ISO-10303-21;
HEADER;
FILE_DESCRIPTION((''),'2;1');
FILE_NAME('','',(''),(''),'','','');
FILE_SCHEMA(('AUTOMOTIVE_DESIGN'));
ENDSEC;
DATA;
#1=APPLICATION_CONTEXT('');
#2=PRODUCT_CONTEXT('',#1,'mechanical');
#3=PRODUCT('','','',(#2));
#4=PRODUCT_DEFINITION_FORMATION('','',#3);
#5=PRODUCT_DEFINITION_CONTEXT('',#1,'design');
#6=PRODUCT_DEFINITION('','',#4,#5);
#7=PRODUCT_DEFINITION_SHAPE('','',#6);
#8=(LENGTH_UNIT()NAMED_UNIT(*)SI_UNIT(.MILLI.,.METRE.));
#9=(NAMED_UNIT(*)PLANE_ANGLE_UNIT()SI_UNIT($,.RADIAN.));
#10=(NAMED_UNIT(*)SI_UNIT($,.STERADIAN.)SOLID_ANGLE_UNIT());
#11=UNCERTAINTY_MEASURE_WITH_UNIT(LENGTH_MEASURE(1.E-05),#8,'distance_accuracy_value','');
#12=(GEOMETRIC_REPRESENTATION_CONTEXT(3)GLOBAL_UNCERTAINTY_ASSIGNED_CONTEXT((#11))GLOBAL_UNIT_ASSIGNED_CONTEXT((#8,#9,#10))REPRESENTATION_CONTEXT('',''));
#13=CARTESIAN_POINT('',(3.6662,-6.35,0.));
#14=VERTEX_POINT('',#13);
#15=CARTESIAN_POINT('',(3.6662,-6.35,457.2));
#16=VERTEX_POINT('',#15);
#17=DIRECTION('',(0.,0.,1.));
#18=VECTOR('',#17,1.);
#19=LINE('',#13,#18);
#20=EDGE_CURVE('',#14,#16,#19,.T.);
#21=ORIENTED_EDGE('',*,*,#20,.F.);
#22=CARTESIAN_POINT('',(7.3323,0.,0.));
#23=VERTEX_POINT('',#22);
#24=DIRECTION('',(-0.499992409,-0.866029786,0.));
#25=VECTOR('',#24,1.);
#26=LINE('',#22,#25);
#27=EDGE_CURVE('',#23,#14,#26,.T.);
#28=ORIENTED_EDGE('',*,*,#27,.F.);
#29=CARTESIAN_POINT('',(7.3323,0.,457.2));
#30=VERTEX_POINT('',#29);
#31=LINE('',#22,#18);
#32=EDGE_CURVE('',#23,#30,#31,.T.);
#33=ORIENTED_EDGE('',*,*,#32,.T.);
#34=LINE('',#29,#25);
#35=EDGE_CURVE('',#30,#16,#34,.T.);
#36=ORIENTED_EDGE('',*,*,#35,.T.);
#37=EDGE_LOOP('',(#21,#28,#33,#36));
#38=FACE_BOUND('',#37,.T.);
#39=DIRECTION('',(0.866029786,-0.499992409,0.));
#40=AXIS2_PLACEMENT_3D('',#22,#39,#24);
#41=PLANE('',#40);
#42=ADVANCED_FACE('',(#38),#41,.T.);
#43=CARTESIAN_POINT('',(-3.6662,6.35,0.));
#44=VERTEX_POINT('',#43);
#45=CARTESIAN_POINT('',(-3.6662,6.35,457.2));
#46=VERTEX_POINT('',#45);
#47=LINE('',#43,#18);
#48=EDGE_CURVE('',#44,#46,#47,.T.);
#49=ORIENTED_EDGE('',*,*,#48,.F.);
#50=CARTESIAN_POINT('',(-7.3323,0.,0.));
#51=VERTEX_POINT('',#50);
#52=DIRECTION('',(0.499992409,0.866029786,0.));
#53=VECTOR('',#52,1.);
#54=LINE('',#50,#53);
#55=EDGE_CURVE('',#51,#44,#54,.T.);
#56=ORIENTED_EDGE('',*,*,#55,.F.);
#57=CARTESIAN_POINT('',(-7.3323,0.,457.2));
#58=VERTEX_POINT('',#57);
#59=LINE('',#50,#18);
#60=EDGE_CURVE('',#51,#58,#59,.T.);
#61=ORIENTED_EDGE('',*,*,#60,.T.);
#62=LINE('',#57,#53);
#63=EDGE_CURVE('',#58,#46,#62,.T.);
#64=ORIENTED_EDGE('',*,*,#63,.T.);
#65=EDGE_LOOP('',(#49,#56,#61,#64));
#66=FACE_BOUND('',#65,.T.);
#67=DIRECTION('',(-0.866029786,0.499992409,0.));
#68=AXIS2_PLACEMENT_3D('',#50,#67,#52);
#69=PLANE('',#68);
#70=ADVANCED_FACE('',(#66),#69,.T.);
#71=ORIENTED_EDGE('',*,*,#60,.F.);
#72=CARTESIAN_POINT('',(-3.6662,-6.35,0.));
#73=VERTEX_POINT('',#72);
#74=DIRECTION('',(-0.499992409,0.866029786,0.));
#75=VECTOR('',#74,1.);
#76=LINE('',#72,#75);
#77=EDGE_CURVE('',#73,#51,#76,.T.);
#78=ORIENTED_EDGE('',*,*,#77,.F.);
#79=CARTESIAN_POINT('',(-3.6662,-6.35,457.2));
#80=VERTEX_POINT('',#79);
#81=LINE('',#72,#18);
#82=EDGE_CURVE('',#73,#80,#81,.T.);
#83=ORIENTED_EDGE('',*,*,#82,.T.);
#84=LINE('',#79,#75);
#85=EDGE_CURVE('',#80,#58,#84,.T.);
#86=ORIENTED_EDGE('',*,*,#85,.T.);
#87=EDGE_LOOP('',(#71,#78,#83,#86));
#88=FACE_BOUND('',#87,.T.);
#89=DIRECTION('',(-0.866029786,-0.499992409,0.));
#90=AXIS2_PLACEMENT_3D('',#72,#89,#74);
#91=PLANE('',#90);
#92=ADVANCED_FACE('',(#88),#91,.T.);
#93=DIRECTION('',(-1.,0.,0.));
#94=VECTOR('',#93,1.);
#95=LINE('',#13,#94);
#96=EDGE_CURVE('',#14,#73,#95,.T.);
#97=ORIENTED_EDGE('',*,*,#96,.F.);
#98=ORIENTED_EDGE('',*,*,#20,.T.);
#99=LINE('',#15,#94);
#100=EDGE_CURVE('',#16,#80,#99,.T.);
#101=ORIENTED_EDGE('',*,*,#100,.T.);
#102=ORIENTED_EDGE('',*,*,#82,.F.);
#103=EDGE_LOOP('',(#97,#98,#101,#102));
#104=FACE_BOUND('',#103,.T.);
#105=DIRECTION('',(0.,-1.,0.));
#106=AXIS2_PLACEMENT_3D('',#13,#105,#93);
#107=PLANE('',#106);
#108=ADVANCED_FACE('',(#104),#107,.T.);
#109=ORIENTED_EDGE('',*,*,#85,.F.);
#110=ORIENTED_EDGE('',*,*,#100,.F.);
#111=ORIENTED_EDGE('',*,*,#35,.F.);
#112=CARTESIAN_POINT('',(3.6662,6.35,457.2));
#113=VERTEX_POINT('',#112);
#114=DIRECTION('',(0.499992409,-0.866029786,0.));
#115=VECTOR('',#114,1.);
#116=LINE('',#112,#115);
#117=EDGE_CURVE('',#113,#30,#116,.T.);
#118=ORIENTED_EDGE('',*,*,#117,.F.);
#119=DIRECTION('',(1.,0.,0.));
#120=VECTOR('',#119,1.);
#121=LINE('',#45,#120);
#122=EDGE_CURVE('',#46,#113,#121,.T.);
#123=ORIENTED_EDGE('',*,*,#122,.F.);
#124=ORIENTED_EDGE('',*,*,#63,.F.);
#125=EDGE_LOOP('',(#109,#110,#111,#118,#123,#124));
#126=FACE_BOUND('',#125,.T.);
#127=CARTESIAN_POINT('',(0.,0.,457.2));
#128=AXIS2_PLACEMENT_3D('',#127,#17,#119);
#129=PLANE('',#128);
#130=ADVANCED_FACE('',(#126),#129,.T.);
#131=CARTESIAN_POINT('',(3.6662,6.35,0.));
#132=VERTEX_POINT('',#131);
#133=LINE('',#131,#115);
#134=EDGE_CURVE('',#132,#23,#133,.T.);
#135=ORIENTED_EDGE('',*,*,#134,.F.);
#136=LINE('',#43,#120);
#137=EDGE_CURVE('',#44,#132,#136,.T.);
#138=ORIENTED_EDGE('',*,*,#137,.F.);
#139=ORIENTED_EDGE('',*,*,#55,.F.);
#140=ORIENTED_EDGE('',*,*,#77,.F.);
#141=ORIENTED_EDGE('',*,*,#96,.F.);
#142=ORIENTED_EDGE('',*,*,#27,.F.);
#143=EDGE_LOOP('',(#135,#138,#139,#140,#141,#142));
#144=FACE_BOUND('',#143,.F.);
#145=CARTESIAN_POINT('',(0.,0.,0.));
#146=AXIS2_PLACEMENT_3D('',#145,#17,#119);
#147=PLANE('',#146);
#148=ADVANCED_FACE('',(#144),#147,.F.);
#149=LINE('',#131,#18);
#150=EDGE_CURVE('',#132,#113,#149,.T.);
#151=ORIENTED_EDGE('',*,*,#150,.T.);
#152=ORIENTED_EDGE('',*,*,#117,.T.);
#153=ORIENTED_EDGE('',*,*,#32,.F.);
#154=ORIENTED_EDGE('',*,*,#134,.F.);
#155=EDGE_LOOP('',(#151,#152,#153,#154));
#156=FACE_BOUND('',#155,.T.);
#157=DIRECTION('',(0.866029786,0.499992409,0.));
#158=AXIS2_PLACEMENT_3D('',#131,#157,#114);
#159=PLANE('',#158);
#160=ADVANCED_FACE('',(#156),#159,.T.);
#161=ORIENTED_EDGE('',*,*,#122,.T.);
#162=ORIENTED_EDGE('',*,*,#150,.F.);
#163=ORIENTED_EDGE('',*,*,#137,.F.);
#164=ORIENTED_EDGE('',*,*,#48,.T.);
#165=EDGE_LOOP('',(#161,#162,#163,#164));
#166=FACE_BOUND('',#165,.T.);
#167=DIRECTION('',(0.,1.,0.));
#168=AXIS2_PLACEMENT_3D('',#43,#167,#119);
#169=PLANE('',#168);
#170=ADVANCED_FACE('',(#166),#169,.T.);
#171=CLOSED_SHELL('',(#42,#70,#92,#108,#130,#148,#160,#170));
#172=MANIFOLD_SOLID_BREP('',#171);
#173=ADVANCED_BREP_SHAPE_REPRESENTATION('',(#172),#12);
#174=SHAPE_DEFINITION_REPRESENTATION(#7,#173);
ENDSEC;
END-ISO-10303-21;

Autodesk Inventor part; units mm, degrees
ref_plane "YZ Plane" through (0, 0, 0) normal (1, 0, 0) x (0, 1, 0)
ref_plane "XZ Plane" through (0, 0, 0) normal (0, 1, 0) x (-1, 0, 0)
ref_plane "XY Plane" through (0, 0, 0) normal (0, 0, 1) x (1, 0, 0)
sketch "Sketch1" plane through (0, 0, 0) normal (0, 0, 1) x (1, 0, 0)
  line L0 (3.6662, 6.35) -> (7.3323, 0)
  line L1 (7.3323, 0) -> (3.6662, -6.35)
  line L2 (3.6662, -6.35) -> (-3.6662, -6.35)
  line L3 (-3.6662, -6.35) -> (-7.3323, 0)
  line L4 (-7.3323, 0) -> (-3.6662, 6.35)
  line L5 (-3.6662, 6.35) -> (3.6662, 6.35)
  point P0 (0, 0)
  point P1 (0, 0)
  dimension "d0" = 12.7
extrude "Extrusion1" add sketch "Sketch1" along normal blind 457.2
properties part number "hex rod 18 inch" material "Steel, Alloy"
